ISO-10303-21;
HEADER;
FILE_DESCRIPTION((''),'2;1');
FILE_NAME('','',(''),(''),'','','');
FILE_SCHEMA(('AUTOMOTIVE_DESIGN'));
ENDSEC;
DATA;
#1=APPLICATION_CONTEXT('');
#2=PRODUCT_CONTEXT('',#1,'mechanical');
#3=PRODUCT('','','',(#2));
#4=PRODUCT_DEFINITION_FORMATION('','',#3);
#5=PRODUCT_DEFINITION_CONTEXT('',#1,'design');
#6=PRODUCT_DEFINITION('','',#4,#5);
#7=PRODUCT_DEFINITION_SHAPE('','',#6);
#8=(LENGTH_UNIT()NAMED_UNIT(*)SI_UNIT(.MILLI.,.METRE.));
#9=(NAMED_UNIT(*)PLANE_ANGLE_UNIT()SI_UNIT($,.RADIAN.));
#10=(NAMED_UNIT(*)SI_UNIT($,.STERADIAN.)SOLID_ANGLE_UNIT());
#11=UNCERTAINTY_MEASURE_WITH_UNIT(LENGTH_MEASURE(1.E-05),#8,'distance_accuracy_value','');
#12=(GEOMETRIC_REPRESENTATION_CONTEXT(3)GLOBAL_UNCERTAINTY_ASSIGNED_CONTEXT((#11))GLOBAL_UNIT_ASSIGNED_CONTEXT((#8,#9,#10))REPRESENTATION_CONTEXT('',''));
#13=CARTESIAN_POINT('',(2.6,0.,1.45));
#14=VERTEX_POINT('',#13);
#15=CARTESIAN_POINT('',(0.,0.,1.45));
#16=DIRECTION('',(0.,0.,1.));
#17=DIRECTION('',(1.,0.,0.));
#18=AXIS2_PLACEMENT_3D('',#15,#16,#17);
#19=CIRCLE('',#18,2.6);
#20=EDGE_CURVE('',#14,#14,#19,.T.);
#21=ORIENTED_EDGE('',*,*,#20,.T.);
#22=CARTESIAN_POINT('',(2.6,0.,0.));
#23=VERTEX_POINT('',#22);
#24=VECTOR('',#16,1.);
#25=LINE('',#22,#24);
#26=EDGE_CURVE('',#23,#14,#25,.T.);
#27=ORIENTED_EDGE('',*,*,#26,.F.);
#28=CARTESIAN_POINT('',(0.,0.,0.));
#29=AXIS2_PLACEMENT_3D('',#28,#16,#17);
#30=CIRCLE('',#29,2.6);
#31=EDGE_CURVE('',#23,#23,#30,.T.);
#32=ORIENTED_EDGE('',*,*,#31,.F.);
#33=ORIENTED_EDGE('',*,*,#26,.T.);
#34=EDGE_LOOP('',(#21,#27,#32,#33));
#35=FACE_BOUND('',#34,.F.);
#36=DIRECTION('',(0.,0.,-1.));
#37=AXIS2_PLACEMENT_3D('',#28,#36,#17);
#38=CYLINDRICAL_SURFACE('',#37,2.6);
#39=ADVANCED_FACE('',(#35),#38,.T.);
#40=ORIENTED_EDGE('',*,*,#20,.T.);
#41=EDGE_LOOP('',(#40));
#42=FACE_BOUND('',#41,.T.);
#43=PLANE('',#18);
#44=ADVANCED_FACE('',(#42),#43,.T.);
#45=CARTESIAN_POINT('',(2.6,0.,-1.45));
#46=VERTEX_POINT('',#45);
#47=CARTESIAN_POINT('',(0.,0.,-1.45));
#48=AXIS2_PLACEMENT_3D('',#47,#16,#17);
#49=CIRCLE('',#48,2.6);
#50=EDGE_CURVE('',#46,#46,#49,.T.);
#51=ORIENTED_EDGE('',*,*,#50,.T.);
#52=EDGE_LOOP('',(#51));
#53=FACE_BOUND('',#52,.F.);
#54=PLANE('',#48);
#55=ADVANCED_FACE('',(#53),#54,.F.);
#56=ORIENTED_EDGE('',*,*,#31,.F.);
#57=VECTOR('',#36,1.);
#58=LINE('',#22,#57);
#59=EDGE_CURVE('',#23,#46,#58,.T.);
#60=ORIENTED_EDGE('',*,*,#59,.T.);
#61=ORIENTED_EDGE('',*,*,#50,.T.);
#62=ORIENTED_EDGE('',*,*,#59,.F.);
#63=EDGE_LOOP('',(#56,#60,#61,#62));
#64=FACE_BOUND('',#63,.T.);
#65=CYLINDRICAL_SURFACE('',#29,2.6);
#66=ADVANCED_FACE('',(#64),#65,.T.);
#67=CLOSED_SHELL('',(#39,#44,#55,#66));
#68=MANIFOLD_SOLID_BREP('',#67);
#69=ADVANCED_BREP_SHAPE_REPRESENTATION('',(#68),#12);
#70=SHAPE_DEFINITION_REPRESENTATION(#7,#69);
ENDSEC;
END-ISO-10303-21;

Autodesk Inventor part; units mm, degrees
ref_plane "YZ Plane" through (0, 0, 0) normal (1, 0, 0) x (0, 1, 0)
ref_plane "XZ Plane" through (0, 0, 0) normal (0, 1, 0) x (-1, 0, 0)
ref_plane "XY Plane" through (0, 0, 0) normal (0, 0, 1) x (1, 0, 0)
sketch "Boceto1" plane through (0, 0, 0) normal (0, 0, 1) x (1, 0, 0)
  circle A0 centre (0, 0) radius 2.6
  dimension "d0" = 5.2
extrude "Extrusión1" add sketch "Boceto1" along normal mid plane 2.9
properties part number "Iman 5x3"
